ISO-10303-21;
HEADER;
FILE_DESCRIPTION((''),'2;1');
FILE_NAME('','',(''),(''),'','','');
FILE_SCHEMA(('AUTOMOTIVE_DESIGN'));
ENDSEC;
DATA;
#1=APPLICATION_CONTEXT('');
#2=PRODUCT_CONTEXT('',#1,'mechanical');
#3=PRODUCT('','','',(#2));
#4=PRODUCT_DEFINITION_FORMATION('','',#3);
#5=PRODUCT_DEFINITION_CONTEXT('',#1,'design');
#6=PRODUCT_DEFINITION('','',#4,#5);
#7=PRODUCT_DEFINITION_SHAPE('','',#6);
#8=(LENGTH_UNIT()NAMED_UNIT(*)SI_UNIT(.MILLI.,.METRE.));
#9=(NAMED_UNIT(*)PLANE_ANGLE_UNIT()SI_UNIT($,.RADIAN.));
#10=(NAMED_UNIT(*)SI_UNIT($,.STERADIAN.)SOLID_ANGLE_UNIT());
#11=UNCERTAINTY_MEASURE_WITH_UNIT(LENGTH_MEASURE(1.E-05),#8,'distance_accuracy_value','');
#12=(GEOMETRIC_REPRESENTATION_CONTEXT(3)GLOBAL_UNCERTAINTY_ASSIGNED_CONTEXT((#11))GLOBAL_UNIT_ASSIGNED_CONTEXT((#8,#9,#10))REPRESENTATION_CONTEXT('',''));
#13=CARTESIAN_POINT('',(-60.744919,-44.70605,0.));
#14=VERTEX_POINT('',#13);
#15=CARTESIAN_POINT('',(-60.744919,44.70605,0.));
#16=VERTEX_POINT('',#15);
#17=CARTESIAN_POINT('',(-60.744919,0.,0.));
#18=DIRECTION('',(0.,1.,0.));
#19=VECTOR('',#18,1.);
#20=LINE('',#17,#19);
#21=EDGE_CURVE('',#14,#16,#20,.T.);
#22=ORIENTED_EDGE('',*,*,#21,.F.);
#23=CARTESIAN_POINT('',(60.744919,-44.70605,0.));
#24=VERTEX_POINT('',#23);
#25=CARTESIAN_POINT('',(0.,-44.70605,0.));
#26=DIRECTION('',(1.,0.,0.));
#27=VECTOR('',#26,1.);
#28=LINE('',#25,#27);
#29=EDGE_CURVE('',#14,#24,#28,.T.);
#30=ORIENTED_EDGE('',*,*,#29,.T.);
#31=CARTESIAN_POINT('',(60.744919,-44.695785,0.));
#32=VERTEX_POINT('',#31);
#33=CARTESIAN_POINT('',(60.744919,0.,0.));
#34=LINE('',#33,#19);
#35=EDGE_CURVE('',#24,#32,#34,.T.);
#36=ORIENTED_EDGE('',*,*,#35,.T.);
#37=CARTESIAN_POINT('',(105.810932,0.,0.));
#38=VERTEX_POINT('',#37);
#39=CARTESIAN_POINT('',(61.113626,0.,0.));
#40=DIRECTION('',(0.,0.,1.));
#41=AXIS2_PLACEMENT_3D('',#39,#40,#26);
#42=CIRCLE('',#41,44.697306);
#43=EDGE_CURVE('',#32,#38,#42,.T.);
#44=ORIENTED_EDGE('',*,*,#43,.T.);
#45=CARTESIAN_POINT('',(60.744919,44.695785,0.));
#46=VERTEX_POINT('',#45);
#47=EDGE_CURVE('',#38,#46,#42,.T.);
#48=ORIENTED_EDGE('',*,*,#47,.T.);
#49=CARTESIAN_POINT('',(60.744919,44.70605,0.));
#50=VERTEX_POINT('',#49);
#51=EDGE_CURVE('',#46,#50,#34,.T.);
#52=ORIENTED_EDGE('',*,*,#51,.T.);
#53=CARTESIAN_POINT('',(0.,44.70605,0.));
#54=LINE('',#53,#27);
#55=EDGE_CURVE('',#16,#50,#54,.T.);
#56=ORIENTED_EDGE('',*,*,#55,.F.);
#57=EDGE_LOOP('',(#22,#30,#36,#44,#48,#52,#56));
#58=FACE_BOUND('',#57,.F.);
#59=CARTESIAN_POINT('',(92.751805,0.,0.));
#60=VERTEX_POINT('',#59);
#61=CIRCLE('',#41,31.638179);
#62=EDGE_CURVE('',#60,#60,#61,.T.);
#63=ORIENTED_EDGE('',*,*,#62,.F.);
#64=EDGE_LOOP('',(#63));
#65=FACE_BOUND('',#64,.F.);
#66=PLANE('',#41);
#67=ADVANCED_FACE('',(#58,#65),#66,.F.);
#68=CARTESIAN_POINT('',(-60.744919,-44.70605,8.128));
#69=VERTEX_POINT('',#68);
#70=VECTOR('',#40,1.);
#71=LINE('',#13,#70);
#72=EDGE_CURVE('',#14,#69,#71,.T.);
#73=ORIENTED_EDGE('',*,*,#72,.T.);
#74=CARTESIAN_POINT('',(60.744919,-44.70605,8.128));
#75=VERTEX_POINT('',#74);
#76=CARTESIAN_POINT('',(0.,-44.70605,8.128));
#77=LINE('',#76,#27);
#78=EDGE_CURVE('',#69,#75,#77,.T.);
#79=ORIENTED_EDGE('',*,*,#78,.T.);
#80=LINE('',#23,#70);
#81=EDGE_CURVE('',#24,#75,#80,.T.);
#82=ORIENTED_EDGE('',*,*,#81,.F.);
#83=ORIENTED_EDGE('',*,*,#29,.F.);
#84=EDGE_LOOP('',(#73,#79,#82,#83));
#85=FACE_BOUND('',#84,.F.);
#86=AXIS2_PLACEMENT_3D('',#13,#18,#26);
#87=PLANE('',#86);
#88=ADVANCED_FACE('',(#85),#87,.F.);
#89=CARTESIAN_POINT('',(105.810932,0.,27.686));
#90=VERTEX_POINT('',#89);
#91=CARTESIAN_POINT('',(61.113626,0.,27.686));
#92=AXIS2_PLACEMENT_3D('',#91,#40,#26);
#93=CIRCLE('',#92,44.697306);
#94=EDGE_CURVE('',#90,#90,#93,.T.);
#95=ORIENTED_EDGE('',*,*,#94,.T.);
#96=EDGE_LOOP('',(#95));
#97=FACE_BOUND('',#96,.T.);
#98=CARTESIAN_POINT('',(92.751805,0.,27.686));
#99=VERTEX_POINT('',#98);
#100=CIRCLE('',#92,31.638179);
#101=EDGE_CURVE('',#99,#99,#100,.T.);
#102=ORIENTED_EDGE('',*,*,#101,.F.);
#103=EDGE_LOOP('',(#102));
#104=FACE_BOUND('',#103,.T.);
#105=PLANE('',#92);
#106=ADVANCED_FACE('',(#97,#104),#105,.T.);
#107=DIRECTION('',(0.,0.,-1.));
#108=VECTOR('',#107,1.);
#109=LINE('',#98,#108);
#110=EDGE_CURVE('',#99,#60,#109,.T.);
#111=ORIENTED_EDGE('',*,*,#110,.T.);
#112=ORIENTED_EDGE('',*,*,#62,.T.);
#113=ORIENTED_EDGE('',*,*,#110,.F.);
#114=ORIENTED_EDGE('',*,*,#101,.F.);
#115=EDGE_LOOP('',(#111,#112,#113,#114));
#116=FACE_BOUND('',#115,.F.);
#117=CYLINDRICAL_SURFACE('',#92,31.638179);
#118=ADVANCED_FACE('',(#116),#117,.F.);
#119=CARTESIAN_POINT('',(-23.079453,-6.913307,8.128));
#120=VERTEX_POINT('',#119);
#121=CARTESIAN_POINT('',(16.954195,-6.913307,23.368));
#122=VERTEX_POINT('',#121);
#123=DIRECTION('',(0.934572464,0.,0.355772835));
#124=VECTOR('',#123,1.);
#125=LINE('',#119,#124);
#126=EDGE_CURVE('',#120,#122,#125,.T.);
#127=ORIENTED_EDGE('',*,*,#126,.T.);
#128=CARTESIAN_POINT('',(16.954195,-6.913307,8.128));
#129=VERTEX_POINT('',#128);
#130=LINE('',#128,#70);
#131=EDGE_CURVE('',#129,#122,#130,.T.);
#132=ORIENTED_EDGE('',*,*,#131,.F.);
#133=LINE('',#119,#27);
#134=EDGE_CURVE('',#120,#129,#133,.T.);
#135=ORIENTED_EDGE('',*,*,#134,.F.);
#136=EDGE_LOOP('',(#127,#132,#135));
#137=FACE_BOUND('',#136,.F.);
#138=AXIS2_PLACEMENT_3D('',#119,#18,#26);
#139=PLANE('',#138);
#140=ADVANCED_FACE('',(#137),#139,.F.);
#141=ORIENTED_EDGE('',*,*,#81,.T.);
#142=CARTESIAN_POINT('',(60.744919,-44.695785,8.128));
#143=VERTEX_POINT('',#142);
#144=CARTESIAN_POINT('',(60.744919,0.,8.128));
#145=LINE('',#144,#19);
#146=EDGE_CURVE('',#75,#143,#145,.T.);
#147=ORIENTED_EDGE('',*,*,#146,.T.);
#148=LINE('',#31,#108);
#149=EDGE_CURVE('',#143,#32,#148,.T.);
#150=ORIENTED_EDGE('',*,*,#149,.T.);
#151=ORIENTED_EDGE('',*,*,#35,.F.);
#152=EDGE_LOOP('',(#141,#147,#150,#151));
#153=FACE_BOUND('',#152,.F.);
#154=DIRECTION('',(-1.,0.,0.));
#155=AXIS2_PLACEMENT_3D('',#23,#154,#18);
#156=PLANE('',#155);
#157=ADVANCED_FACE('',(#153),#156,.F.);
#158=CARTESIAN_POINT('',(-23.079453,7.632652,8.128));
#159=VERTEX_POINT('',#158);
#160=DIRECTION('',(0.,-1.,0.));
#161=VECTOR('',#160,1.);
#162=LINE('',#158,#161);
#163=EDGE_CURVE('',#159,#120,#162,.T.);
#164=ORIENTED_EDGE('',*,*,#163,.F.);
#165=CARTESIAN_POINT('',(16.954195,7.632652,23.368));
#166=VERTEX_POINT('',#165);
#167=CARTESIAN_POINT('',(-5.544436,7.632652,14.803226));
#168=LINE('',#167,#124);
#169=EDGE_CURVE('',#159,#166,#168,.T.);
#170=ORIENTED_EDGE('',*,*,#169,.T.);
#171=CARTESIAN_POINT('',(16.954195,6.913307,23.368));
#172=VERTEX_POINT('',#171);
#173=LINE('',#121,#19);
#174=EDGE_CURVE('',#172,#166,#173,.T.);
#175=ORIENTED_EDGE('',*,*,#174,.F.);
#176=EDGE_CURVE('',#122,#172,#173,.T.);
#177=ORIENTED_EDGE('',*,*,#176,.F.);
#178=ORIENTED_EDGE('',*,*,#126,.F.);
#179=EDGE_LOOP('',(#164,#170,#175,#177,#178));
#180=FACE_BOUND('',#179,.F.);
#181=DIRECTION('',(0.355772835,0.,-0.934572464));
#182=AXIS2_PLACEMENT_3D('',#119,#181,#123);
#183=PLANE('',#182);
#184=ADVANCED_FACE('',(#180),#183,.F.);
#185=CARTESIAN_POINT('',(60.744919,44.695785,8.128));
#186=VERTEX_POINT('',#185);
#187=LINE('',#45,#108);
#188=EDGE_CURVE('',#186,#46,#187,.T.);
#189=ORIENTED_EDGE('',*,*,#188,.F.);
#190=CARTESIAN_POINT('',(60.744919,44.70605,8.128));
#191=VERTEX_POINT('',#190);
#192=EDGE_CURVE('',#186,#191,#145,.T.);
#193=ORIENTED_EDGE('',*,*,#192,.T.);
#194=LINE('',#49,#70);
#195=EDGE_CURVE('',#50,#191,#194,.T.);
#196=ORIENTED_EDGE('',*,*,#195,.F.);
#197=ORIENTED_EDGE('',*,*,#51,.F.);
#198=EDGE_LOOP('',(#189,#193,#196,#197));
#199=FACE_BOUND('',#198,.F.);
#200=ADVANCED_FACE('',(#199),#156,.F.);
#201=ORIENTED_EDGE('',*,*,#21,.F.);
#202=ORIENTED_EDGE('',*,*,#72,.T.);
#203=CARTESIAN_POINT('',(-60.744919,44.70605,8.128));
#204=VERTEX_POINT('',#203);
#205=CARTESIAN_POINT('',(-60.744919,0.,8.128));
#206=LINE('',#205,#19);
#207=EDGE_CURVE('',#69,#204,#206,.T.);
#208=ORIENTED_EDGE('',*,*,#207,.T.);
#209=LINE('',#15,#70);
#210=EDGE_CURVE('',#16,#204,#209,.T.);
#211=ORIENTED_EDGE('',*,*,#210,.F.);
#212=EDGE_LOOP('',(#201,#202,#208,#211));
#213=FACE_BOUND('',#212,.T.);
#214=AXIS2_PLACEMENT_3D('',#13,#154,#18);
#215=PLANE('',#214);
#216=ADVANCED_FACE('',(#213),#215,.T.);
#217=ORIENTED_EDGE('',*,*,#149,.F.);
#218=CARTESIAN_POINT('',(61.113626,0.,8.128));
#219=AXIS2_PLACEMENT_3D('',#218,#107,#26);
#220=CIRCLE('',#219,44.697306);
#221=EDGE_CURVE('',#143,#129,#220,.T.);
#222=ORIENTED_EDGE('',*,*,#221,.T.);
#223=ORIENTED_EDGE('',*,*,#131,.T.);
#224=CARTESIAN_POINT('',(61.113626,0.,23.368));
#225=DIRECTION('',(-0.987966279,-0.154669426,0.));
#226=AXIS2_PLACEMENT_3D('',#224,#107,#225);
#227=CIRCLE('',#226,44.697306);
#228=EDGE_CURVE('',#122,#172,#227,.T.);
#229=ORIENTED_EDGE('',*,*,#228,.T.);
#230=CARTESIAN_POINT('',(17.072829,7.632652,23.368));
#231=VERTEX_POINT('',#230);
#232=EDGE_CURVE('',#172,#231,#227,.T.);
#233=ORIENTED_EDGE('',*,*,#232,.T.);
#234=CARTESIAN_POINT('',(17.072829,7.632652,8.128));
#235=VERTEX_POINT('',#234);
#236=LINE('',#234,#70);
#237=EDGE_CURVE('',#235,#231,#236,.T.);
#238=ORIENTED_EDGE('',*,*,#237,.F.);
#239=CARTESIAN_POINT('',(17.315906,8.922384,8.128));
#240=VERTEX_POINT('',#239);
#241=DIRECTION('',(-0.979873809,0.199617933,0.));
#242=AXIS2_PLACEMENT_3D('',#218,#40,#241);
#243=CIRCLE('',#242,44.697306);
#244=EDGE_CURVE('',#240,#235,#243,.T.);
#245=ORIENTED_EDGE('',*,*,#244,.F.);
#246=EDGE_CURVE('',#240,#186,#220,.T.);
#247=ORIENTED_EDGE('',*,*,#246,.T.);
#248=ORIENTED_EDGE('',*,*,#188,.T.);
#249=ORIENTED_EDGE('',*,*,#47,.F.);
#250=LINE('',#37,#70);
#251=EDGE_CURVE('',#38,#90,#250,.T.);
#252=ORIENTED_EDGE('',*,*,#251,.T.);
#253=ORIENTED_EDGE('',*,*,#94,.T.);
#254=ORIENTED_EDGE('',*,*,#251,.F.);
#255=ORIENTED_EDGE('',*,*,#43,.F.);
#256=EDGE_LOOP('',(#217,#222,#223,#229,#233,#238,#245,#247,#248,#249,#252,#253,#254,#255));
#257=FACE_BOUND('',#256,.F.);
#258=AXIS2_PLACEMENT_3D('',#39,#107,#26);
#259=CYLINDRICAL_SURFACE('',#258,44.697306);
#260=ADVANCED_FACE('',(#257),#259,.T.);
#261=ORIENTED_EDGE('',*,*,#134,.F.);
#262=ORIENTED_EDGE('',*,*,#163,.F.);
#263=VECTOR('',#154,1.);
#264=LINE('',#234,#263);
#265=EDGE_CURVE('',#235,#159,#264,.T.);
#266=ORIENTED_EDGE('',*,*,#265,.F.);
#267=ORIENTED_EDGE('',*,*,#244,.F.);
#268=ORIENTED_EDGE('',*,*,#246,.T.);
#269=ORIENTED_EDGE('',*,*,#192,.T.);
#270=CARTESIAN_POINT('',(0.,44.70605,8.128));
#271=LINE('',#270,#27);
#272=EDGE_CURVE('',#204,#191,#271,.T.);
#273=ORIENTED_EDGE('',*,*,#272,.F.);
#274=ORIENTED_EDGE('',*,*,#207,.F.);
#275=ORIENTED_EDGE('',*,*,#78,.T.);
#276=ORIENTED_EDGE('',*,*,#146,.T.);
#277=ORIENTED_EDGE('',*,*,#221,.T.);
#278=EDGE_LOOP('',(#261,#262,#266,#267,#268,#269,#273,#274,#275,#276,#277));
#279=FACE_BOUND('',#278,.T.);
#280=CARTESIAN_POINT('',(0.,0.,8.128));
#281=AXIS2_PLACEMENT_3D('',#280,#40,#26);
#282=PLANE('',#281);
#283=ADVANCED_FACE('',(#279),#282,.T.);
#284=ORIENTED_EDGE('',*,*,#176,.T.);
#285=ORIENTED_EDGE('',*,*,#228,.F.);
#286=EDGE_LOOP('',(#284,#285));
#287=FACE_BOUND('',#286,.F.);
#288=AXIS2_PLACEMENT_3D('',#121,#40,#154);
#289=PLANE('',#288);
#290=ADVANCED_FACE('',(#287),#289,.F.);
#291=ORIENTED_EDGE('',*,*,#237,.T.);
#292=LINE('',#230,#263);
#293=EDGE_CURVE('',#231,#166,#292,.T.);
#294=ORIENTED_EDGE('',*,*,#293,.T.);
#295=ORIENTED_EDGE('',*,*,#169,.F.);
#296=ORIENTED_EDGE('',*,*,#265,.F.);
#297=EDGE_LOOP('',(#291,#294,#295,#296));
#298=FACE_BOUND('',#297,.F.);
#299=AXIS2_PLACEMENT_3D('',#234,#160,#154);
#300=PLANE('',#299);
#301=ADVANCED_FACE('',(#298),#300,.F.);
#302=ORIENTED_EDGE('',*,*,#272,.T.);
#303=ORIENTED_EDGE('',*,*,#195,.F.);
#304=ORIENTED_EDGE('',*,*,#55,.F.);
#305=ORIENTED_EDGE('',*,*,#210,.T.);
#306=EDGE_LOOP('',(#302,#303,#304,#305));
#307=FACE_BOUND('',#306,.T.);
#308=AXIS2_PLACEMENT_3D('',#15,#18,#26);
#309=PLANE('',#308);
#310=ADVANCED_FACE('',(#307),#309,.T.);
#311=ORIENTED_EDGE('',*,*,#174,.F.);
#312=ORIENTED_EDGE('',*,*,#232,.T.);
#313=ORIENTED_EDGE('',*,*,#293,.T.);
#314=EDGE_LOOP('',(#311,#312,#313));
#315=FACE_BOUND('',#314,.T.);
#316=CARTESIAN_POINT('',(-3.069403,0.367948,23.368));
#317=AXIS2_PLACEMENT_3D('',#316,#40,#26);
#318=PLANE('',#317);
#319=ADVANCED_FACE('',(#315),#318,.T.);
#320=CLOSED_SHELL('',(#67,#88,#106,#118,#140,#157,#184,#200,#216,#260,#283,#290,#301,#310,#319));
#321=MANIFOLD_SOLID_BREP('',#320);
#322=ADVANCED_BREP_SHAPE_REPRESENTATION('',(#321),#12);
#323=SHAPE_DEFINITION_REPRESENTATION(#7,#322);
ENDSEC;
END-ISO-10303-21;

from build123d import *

# Parameters (mm, degrees)
F0_W      = 121.4898377657
F0_H      = 89.4121006131
F1_DEPTH  = 8.128
F2_R      = 44.6973060351
F3_DEPTH  = 27.686
F4_R      = 31.6381794564
F5_DEPTH  = 71.12
F7_DEPTH  = 12.7
F9_DEPTH  = 15.24
F11_DEPTH = 25.4


with BuildPart() as f1:
    # F0 (on Top) → F1 (new body)
    with BuildSketch(Plane.XY):
        Rectangle(F0_W, F0_H)
    extrude(amount=F1_DEPTH)

    # F2 (on Top) → F3 (join)
    with BuildSketch(Plane.XY):
        with Locations((61.1136257648, 0)):
            Circle(F2_R)
    extrude(amount=F3_DEPTH)

    # F4 (on face) → F5 (cut)
    with BuildSketch(Plane.XY.offset(27.686)):
        with Locations((61.1136257648, 0)):
            Circle(F4_R)
    extrude(amount=-F5_DEPTH, mode=Mode.SUBTRACT)

    # F6 (on face) → F7 (join)
    with BuildSketch(Plane.XY.offset(8.128)):
        with BuildLine():
            Line((17.315906262, -5.9659900144), (17.315906262, 8.9223838266))
            ThreePointArc((17.315906262, 8.9223838266), (16.4414678757, 1.4991585393), (16.8162654603, -5.9659900144))
            Line((16.8162654604, -5.9659900144), (17.315906262, -5.9659900144))
        make_face()
    extrude(amount=F7_DEPTH)

    # F8 (on face) → F9 (join)
    with BuildSketch(Plane.XY.offset(8.128)):
        with BuildLine():
            ThreePointArc((16.9541946333, -6.9133066572), (16.4178062292, 0.3645309758), (17.0728288242, 7.6326516773))
            Line((17.0728288242, 7.6326516773), (-23.0794530362, 7.6326516773))
            Line((-23.0794530362, 7.6326516773), (-23.0794530362, -6.9133066572))
            Line((-23.0794530362, -6.9133066572), (16.9541946333, -6.9133066572))
        make_face()
    extrude(amount=F9_DEPTH)

    # F10 (on face) → F11 (cut)
    with BuildSketch(Plane.XZ.offset(6.9133066572)):
        Polygon((-23.0794530362, 23.368), (-23.0794530362, 8.128), (16.9541946333, 23.368), align=None)
    extrude(amount=-F11_DEPTH, mode=Mode.SUBTRACT)


solid = f1.part
